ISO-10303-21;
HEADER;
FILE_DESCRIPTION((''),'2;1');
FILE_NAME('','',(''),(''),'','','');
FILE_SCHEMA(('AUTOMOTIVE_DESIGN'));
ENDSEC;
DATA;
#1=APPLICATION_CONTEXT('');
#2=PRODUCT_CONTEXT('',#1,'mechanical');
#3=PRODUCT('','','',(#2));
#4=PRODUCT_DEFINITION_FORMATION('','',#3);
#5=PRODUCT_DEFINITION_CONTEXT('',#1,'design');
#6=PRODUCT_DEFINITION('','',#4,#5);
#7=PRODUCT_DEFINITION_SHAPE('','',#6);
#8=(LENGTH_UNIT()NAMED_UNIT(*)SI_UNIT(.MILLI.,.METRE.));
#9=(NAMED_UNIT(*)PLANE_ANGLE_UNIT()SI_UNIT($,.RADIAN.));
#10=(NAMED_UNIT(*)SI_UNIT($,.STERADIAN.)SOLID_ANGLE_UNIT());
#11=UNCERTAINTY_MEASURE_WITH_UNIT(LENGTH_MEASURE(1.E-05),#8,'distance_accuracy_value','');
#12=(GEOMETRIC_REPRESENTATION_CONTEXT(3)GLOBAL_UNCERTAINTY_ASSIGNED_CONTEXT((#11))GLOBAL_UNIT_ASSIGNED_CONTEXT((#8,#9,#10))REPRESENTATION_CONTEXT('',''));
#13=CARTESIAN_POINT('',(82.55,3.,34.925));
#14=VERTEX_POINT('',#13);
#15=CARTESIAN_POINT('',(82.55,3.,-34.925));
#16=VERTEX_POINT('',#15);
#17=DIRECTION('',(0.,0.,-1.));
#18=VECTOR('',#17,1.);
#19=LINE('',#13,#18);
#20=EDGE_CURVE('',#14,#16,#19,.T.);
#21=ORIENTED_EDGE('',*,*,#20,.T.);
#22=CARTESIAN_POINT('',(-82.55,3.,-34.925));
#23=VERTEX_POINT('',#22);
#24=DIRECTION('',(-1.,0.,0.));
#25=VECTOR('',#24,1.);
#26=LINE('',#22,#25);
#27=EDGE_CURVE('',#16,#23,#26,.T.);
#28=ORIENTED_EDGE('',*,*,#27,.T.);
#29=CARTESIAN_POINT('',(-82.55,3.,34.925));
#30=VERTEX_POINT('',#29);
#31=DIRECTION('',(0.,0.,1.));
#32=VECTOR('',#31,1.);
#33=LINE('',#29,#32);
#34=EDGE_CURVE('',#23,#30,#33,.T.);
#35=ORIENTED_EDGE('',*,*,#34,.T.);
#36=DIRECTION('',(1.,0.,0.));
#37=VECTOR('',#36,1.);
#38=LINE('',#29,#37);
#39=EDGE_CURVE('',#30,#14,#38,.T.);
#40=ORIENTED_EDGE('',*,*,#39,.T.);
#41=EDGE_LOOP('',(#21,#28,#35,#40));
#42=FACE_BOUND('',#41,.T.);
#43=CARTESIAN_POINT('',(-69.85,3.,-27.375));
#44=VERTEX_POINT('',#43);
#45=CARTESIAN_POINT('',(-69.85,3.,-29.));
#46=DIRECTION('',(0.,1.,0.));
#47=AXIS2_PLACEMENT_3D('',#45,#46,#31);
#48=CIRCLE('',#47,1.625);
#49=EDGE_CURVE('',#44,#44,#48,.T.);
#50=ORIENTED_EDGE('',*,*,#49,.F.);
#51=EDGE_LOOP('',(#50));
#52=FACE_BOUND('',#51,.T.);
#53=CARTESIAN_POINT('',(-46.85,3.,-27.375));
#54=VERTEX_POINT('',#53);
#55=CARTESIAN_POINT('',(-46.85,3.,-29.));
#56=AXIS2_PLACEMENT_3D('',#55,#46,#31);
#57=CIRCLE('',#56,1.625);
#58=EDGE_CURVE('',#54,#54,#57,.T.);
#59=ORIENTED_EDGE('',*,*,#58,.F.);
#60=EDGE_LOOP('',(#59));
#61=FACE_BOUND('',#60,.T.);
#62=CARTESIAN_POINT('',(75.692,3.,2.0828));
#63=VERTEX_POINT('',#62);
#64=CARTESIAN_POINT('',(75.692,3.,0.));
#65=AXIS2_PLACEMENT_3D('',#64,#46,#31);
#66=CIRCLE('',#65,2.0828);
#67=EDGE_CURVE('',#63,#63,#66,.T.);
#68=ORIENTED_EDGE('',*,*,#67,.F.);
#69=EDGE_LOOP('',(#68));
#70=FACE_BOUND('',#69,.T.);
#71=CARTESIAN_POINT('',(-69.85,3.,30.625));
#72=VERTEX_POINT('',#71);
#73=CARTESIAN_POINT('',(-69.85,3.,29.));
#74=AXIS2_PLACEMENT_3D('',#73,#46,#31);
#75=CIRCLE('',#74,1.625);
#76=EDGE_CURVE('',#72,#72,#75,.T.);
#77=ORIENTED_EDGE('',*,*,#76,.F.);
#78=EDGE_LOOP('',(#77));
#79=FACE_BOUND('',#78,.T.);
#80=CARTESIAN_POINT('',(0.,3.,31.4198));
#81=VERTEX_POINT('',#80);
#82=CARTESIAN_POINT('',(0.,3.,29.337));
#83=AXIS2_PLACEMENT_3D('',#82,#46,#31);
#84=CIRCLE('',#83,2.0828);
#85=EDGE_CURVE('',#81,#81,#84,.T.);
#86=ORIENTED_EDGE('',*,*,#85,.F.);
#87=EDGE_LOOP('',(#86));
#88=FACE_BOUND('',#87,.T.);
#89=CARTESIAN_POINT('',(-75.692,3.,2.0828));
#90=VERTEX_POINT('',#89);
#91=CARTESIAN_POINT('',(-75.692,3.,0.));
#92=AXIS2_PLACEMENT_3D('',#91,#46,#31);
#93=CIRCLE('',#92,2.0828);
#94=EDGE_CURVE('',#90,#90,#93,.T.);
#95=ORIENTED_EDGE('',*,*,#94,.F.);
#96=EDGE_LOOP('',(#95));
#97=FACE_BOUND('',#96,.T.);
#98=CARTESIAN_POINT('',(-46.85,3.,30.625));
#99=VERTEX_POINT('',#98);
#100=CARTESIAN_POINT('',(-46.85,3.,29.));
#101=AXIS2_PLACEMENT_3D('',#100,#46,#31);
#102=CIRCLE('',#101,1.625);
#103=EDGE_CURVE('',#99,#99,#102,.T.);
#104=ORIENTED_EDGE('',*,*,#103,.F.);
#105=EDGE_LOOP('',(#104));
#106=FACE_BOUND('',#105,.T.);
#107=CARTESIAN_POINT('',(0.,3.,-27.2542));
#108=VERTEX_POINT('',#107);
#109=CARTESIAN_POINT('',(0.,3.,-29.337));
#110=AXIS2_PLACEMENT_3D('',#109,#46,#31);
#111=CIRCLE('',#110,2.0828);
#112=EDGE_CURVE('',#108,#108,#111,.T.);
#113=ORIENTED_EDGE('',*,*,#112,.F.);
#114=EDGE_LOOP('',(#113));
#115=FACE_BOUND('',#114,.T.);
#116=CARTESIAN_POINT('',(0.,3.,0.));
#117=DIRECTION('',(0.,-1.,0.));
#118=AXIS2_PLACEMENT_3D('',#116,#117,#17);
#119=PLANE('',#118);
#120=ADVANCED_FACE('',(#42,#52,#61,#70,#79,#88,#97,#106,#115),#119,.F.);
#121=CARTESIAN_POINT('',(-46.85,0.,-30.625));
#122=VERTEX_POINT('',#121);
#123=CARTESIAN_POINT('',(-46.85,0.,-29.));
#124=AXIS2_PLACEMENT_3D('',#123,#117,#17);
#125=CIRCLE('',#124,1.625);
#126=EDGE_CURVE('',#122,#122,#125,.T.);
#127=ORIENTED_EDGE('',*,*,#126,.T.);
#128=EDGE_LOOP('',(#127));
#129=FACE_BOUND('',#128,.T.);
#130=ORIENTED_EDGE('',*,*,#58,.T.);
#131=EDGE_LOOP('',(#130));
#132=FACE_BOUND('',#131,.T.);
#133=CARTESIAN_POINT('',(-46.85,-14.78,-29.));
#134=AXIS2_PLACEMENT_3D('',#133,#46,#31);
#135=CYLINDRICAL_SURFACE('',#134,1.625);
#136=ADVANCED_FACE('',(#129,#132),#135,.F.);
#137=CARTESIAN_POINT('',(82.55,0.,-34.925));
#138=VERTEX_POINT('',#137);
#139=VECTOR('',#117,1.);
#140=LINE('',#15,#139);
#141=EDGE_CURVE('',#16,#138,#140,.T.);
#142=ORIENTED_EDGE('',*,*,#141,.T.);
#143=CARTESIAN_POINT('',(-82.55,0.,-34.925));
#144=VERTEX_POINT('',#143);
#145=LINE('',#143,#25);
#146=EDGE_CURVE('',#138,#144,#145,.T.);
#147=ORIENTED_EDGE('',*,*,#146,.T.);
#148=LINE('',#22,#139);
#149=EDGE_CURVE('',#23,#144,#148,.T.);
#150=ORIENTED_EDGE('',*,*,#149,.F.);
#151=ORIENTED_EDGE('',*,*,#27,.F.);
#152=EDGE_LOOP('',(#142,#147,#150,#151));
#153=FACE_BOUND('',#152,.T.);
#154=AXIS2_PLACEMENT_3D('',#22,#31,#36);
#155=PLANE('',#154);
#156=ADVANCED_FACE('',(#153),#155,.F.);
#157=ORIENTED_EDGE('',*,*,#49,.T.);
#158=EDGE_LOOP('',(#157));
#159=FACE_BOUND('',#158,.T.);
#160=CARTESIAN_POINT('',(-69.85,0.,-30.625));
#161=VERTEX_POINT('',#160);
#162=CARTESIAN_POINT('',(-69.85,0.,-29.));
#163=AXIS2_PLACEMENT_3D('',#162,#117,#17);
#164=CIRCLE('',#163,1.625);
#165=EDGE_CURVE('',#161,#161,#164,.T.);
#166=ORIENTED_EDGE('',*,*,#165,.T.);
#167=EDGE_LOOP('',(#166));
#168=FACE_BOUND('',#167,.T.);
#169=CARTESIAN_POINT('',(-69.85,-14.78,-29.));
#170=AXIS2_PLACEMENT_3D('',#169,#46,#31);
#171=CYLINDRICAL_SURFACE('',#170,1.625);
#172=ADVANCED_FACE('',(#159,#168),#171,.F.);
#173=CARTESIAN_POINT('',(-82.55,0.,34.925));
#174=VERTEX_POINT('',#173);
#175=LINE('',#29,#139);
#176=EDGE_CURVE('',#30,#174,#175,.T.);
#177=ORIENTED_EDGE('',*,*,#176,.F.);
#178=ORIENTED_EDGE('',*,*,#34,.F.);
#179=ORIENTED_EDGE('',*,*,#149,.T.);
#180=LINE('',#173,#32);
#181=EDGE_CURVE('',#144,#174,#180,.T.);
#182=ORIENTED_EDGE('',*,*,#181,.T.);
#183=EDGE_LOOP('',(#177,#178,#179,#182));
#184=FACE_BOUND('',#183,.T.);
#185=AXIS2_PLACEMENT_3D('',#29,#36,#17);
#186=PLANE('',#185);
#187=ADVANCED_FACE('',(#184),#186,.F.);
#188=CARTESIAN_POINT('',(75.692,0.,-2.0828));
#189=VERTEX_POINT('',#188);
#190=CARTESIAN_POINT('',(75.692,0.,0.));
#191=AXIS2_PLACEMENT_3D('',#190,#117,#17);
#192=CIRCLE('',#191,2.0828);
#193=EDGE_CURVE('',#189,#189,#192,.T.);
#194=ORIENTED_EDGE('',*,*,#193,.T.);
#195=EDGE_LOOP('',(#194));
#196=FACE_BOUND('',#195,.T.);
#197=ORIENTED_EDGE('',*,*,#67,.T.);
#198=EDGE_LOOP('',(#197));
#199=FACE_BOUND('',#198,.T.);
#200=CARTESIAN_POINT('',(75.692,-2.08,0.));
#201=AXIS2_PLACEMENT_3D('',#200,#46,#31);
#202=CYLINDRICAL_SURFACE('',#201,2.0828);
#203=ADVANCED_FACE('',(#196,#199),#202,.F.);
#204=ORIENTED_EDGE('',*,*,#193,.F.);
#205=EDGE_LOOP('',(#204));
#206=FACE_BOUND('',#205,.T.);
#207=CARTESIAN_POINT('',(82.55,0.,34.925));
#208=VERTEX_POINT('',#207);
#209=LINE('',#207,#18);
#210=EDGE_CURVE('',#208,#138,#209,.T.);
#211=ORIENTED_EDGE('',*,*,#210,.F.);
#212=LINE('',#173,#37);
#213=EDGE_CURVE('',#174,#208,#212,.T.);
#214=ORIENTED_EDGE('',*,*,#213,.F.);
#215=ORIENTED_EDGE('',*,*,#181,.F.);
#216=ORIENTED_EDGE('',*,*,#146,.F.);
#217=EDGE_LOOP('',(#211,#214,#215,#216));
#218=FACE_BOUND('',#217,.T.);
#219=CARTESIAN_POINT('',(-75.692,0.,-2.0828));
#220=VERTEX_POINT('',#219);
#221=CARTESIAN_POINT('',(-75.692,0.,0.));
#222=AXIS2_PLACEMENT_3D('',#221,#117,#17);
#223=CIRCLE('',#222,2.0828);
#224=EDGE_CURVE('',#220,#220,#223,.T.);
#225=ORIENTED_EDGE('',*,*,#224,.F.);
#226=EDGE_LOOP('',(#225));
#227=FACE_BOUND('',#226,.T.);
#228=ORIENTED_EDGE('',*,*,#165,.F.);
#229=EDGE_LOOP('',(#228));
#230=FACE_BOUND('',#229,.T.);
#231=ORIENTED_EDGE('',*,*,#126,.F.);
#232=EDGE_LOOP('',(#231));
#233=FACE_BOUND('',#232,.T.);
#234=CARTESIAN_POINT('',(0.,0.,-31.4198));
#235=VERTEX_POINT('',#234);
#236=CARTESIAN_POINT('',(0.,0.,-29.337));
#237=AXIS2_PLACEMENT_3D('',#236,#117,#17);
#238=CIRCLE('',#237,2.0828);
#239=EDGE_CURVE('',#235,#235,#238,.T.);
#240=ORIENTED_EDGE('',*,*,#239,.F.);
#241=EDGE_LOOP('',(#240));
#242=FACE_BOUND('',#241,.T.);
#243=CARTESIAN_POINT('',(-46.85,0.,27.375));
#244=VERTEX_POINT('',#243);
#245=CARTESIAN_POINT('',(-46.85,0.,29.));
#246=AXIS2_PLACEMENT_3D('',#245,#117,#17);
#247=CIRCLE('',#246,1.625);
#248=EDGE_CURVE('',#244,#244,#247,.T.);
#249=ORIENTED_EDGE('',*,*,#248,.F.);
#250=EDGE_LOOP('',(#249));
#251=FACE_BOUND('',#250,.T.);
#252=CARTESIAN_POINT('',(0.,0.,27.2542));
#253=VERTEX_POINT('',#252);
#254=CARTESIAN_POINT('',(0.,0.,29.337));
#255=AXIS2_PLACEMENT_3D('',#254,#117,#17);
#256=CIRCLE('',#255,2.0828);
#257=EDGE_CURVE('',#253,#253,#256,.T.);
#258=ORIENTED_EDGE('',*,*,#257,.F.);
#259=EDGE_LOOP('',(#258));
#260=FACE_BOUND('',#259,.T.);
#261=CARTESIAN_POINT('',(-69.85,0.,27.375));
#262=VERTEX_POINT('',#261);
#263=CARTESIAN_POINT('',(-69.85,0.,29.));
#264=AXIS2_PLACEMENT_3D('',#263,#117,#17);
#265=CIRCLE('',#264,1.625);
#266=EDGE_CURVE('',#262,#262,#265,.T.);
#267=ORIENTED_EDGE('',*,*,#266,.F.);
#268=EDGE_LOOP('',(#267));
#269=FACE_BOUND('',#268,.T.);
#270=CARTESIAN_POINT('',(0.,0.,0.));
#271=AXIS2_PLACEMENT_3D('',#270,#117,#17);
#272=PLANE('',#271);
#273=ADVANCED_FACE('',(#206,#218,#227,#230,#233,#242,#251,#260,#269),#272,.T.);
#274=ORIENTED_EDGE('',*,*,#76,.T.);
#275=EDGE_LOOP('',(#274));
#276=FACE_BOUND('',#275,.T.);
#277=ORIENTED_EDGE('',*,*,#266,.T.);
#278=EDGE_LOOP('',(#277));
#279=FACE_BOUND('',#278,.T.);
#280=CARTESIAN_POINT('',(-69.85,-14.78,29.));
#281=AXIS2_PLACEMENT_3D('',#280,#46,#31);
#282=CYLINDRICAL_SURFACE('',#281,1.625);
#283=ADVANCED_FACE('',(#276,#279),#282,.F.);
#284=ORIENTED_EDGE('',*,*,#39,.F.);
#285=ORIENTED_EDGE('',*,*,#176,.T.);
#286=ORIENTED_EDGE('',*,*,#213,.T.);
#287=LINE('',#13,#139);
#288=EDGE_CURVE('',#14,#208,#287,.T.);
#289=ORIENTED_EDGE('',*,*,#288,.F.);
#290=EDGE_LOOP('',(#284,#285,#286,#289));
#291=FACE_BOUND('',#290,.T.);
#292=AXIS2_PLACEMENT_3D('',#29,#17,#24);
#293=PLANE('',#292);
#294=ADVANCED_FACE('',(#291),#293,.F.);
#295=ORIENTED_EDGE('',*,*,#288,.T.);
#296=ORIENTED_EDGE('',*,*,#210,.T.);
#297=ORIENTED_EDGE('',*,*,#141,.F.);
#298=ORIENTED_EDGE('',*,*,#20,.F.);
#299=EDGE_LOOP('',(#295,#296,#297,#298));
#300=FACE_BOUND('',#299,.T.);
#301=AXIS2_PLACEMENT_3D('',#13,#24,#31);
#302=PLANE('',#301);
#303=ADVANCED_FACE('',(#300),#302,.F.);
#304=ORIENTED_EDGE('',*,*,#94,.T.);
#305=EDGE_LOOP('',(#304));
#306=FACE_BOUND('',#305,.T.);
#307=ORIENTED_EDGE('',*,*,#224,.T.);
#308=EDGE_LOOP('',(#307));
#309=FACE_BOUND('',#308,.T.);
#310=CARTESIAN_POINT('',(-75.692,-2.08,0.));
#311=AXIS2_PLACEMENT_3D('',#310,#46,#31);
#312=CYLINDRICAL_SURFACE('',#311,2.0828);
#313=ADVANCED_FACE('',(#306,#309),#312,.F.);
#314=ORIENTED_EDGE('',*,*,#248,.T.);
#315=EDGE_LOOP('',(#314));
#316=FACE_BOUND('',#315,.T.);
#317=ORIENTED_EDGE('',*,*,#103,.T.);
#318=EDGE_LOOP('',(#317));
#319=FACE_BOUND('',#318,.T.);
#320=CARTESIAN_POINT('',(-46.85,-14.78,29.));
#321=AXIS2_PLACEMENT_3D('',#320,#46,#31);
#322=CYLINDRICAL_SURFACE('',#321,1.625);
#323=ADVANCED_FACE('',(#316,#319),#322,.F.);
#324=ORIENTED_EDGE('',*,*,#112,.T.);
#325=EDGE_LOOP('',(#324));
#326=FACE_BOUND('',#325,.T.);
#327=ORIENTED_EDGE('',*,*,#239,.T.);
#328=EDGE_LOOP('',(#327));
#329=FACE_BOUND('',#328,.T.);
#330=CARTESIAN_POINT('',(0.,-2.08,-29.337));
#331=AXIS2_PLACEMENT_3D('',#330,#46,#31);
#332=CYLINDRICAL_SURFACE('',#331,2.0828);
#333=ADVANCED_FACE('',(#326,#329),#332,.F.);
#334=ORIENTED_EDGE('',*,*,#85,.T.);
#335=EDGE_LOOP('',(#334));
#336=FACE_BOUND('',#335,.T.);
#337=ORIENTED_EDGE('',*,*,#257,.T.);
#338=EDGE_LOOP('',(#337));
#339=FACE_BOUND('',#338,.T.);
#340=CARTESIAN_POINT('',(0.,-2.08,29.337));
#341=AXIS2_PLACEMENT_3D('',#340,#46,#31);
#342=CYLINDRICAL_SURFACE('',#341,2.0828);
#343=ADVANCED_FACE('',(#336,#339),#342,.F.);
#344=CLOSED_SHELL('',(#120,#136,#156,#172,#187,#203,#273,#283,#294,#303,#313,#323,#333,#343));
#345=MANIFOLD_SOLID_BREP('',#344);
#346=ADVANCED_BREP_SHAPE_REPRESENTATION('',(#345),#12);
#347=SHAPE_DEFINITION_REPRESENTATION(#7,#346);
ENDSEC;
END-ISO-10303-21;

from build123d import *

# Parameters (mm, degrees)
SKETCH1_W           = 165.1
SKETCH1_H           = 69.85
BOSS_EXTRUDE1_DEPTH = 3
SKETCH3_R           = 2.0828
CUT_EXTRUDE2_DEPTH  = 5.08
SKETCH4_R           = 1.625
CUT_EXTRUDE3_DEPTH  = 17.78


with BuildPart() as part:
    # Sketch1 → Boss-Extrude1 (new body)
    with BuildSketch(Plane(origin=(0, 0, 0), x_dir=(1, 0, 0), z_dir=(0, 1, 0))):
        Rectangle(SKETCH1_W, SKETCH1_H)
    extrude(amount=BOSS_EXTRUDE1_DEPTH)

    # Sketch3 → Cut-Extrude2 (cut)
    with BuildSketch(Plane(origin=(0, 3, 0), x_dir=(1, 0, 0), z_dir=(0, 1, 0))):
        with Locations(Location((-75.692, 0, 0), (0, 0, 270))):
            Circle(SKETCH3_R)
        with Locations(Location((75.692, 0, 0), (0, 0, 270))):
            Circle(SKETCH3_R)
        with Locations(Location((0, -29.337, 0), (0, 0, 270))):
            Circle(SKETCH3_R)
        with Locations(Location((0, 29.337, 0), (0, 0, 270))):
            Circle(SKETCH3_R)
    extrude(amount=-CUT_EXTRUDE2_DEPTH, mode=Mode.SUBTRACT)

    # Sketch4 → Cut-Extrude3 (cut)
    with BuildSketch(Plane(origin=(0, 3, 0), x_dir=(1, 0, 0), z_dir=(0, 1, 0))):
        with Locations(Location((-69.85, 29, 0), (0, 0, 270))):
            Circle(SKETCH4_R)
        with Locations(Location((-46.85, 29, 0), (0, 0, 270))):
            Circle(SKETCH4_R)
        with Locations(Location((-46.85, -29, 0), (0, 0, 270))):
            Circle(SKETCH4_R)
        with Locations(Location((-69.85, -29, 0), (0, 0, 270))):
            Circle(SKETCH4_R)
    extrude(amount=-CUT_EXTRUDE3_DEPTH, mode=Mode.SUBTRACT)


solid = part.part
